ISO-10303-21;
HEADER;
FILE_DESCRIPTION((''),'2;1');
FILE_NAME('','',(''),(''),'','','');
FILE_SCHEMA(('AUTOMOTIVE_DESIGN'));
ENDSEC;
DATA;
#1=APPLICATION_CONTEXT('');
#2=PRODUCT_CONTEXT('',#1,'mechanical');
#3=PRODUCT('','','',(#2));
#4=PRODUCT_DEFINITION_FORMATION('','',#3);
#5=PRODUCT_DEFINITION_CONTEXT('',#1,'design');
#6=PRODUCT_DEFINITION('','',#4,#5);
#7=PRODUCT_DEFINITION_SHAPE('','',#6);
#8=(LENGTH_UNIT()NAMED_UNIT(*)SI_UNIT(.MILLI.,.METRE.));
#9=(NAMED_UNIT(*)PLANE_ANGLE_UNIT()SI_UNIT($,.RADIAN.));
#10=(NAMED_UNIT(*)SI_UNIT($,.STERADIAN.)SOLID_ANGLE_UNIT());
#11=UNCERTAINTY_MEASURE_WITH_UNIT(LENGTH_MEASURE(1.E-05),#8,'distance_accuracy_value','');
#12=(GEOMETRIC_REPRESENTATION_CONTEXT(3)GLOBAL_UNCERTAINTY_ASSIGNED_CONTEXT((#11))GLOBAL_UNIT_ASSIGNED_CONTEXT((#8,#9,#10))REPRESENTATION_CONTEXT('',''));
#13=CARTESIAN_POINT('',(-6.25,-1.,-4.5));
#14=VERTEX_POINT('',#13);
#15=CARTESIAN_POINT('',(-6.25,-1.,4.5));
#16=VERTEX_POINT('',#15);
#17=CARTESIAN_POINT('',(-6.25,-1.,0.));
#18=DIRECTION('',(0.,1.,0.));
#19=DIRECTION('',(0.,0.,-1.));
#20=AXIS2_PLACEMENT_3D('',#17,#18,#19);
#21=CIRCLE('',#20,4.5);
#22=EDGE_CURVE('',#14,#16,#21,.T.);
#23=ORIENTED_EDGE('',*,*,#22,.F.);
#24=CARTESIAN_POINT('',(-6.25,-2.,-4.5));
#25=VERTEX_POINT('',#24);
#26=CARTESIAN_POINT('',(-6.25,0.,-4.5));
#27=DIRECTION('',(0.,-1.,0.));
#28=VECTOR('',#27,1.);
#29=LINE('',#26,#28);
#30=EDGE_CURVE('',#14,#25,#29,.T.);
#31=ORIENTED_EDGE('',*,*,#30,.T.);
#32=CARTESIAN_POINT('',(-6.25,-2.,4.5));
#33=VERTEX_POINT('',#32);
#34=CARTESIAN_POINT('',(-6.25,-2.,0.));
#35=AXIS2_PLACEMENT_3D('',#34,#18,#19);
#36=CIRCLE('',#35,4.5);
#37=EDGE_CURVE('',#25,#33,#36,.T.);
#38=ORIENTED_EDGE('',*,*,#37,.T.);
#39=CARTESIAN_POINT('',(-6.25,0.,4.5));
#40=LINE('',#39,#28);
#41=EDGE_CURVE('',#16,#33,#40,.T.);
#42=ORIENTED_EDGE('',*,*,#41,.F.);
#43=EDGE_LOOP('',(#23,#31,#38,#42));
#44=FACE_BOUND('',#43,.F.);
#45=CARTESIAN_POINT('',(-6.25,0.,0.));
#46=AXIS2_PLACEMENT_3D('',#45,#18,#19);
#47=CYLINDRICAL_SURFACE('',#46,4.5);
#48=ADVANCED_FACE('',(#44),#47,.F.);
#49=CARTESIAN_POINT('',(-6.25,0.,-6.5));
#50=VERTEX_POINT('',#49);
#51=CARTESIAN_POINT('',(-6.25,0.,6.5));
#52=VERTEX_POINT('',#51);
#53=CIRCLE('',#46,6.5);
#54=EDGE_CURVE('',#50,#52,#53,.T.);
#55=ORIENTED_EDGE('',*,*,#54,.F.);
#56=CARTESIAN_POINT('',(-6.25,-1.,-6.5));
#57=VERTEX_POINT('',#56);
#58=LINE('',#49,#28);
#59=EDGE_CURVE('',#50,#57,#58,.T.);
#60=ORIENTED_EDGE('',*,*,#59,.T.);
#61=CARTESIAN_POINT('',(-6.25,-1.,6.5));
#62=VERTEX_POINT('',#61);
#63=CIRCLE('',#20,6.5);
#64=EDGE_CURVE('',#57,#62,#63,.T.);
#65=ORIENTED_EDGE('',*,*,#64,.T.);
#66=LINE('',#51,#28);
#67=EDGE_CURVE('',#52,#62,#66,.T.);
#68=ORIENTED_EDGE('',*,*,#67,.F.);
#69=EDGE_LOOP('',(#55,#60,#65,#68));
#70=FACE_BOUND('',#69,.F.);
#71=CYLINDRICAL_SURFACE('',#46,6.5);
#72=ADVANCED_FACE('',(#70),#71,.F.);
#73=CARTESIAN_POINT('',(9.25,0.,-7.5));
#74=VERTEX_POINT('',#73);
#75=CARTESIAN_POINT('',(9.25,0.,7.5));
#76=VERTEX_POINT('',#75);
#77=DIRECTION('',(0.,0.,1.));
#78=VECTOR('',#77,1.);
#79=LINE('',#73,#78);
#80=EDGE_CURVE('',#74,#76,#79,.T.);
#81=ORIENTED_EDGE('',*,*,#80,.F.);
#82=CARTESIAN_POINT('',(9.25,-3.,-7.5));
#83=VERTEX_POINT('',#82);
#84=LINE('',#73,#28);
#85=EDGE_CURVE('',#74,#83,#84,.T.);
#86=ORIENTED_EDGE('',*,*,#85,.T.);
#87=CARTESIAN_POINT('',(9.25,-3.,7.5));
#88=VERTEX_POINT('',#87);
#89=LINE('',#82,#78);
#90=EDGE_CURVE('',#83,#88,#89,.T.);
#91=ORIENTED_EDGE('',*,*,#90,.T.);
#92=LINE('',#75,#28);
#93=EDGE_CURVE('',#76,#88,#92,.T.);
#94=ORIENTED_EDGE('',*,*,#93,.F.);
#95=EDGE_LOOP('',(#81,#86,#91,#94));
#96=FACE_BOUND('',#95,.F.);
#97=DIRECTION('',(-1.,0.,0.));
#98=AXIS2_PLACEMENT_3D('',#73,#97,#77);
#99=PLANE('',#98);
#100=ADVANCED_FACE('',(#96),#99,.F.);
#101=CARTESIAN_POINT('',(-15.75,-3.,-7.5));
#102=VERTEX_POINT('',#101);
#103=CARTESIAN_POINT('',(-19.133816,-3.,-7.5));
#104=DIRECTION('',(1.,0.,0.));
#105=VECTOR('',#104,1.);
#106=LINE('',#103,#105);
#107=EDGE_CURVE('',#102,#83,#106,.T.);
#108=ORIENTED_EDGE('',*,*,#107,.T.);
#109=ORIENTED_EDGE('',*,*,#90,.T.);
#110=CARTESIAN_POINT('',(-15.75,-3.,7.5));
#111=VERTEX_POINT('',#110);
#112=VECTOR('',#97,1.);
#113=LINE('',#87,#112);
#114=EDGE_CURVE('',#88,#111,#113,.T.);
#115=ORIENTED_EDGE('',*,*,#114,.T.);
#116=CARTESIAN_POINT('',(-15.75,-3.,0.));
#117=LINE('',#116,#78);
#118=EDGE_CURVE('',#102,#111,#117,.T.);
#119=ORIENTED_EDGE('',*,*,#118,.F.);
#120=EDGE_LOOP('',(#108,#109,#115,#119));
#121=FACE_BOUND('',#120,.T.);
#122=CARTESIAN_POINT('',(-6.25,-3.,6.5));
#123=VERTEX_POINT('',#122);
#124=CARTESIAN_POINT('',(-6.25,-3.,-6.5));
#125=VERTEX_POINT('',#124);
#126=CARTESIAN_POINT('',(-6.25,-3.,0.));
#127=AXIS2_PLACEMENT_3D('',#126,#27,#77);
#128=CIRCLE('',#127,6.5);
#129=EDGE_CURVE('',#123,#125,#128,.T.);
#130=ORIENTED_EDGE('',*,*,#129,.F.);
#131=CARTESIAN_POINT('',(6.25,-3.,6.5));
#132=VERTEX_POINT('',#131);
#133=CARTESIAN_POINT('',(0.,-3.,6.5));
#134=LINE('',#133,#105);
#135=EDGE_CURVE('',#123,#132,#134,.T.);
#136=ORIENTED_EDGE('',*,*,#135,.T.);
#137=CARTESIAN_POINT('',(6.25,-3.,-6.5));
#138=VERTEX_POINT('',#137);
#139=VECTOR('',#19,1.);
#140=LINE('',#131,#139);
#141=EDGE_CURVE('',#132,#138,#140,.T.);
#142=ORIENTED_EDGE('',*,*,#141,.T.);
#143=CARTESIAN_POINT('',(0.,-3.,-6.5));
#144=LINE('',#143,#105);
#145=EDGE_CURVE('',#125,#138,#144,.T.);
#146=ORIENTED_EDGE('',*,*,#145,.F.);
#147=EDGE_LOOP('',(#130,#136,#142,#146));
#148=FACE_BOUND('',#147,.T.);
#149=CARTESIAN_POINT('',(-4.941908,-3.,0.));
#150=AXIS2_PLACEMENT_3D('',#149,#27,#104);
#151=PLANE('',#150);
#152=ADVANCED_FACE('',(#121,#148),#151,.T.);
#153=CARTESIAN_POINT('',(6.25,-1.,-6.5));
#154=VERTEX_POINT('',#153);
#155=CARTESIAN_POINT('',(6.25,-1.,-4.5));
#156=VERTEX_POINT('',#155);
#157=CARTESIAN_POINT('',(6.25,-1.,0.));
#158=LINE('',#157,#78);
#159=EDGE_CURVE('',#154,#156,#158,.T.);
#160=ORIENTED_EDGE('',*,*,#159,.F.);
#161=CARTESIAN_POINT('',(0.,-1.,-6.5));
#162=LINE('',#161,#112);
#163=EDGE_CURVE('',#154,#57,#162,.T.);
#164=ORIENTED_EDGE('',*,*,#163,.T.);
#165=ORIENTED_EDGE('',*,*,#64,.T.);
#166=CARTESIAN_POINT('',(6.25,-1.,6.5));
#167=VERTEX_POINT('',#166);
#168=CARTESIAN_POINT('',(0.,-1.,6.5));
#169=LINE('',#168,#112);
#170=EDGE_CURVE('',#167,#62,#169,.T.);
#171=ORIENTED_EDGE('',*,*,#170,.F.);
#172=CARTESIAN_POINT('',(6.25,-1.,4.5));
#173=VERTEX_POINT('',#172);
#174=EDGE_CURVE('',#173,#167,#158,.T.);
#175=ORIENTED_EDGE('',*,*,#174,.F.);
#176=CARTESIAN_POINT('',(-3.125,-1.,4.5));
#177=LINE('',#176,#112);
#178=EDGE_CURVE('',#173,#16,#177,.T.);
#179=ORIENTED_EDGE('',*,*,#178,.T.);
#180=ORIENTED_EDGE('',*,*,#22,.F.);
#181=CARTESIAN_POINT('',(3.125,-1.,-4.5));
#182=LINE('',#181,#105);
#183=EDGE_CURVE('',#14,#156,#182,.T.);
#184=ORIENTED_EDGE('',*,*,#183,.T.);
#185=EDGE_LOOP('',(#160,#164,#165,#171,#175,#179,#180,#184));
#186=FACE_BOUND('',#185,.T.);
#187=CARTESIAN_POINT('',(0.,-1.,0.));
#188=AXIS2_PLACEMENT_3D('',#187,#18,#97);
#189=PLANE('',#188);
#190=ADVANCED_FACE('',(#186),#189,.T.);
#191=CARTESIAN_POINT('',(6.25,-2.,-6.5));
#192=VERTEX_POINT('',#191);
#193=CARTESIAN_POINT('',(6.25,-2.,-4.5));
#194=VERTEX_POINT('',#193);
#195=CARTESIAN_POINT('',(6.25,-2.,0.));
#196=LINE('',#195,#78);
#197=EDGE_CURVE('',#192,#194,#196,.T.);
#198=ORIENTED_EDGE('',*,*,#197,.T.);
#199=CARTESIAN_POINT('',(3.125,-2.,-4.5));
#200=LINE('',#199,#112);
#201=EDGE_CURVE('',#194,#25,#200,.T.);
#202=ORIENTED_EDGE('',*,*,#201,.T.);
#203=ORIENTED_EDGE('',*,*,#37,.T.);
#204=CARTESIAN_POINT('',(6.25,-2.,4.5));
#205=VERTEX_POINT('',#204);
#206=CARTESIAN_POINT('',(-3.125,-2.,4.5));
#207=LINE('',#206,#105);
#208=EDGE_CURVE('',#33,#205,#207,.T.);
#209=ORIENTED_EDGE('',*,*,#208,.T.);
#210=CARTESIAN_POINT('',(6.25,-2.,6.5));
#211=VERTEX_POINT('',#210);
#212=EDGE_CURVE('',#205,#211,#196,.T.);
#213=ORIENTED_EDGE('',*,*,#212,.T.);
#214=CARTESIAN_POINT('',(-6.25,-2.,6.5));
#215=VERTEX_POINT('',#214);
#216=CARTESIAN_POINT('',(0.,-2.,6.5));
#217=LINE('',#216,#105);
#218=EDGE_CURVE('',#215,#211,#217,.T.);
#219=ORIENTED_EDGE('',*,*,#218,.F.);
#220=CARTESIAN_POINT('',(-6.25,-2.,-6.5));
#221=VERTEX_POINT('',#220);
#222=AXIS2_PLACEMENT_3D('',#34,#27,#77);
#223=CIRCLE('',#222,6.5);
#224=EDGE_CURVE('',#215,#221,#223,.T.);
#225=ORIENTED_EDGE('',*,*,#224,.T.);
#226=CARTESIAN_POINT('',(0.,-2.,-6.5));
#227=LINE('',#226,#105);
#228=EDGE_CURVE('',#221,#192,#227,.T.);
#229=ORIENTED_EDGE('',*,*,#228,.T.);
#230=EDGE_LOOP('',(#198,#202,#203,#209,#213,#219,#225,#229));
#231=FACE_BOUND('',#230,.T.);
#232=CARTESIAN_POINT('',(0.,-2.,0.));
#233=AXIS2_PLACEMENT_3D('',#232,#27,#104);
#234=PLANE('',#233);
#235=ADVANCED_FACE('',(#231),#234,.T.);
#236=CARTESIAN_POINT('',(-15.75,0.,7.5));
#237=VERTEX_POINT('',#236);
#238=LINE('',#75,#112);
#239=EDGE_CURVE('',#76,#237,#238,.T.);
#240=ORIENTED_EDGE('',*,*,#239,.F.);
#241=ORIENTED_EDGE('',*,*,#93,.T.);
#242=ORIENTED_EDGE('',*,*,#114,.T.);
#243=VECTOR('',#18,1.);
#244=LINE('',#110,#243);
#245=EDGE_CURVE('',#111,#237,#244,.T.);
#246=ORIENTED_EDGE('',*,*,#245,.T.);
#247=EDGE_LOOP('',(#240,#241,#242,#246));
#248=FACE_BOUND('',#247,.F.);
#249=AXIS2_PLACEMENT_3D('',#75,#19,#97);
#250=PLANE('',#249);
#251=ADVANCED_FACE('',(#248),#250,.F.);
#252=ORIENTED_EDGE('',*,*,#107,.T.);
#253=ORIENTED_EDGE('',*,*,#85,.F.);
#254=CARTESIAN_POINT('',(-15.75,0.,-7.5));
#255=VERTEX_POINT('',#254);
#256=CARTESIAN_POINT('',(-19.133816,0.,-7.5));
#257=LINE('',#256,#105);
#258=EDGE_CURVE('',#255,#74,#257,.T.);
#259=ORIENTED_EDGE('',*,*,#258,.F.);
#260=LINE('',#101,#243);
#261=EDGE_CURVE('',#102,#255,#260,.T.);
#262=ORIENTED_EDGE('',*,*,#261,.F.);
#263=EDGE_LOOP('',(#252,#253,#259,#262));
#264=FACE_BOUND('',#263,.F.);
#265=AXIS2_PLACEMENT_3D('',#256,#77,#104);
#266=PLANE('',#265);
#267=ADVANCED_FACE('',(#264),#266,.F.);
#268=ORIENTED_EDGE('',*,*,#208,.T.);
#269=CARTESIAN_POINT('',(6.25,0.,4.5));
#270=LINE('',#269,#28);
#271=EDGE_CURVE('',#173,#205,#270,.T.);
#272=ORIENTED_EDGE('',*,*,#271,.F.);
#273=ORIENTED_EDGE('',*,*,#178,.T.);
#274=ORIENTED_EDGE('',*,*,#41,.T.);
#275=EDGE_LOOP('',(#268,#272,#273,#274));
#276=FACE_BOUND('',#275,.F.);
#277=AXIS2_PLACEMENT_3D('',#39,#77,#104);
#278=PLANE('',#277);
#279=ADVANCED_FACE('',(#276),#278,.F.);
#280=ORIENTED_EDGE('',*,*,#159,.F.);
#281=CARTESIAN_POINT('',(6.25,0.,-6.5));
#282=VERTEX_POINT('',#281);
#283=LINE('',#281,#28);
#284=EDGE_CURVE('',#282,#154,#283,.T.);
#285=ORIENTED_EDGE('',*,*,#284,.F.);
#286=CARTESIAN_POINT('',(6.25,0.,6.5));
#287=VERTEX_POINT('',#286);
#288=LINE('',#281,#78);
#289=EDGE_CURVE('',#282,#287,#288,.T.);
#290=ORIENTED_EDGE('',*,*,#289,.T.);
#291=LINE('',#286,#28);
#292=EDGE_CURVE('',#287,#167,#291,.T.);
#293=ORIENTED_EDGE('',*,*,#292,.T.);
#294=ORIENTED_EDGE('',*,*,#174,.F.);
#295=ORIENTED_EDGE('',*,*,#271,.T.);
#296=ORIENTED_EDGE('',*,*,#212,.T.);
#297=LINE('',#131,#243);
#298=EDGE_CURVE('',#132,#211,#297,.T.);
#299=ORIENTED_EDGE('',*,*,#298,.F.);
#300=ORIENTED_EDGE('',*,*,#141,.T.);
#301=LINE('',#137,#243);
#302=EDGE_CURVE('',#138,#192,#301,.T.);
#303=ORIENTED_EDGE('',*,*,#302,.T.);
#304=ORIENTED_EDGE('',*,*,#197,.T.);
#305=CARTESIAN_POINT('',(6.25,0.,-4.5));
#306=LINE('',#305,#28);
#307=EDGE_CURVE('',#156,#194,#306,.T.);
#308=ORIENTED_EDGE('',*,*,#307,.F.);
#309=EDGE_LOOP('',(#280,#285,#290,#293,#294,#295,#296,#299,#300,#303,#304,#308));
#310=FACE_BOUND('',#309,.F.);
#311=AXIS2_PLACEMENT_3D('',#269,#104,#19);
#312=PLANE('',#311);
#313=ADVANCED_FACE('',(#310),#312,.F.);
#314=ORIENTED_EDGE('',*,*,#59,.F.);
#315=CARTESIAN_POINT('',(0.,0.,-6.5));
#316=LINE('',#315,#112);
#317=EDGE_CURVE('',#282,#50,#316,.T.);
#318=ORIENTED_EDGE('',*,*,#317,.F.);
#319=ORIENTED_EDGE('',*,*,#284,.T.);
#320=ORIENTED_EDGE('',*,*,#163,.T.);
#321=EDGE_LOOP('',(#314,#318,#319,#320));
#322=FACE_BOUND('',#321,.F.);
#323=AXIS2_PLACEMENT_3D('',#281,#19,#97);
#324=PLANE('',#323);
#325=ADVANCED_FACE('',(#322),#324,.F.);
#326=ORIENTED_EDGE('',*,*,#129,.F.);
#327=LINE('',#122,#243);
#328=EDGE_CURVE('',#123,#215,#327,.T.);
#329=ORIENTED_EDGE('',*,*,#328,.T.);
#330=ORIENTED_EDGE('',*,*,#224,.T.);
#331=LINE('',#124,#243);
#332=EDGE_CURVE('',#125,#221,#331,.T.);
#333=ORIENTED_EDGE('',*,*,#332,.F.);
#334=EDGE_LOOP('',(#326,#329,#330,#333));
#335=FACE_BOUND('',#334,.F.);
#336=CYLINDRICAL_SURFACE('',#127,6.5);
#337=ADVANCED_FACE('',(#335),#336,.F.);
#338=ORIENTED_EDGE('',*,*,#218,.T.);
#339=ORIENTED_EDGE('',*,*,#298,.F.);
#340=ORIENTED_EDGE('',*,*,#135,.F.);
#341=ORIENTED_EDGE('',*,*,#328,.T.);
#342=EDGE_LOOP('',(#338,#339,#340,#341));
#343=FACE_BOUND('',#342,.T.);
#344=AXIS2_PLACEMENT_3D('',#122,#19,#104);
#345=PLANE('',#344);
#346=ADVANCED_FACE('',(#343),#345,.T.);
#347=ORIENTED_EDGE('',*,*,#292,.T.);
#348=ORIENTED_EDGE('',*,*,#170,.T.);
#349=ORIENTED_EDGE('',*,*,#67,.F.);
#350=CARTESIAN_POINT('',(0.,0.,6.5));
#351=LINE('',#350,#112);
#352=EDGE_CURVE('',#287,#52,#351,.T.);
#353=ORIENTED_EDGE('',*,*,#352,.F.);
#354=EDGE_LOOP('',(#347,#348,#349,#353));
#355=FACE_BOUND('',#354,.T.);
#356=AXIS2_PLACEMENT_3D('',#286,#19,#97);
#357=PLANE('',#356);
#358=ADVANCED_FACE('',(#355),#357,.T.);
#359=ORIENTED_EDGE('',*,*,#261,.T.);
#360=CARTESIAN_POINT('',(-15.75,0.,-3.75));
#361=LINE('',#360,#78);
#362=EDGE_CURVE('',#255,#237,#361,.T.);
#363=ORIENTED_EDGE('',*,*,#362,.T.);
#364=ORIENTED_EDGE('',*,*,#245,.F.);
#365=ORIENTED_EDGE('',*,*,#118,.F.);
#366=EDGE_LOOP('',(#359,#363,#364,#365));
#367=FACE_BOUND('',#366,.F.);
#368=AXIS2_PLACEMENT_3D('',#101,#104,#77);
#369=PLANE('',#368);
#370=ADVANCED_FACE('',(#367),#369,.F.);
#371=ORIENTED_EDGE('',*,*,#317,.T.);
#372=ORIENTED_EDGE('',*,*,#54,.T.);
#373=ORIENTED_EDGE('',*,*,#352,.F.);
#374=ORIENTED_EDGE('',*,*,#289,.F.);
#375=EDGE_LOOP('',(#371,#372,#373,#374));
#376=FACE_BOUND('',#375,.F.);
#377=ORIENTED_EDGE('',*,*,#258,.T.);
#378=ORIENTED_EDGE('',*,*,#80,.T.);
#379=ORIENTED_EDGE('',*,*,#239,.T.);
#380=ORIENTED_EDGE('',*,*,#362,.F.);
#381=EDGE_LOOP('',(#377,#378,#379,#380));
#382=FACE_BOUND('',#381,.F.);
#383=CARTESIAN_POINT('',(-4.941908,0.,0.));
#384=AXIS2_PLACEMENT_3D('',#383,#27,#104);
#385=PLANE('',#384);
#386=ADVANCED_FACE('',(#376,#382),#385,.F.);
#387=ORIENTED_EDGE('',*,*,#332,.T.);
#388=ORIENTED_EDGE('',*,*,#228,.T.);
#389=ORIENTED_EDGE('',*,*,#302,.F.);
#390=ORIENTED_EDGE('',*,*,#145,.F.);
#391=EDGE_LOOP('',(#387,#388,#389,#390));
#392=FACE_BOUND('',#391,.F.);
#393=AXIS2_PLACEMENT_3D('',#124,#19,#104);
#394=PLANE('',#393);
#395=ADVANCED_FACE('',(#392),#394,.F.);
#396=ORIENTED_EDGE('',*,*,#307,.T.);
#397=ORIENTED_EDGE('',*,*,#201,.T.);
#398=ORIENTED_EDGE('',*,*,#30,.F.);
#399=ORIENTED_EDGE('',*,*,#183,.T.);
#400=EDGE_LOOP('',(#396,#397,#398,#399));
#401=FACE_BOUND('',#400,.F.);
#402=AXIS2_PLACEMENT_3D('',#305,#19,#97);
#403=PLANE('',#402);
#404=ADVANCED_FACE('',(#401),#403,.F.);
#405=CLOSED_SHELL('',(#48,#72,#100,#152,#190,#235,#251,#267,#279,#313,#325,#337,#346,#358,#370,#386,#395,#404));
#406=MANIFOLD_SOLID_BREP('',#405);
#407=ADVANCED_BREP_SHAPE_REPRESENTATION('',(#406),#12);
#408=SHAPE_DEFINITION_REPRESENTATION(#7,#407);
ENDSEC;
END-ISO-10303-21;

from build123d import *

# Parameters (mm, degrees)
F1_DEPTH = 3
F2_W     = 12.5
F2_H     = 13
F3_DEPTH = 1
F4_W     = 12.5
F4_H     = 13
F5_DEPTH = 1
F6_W     = 3.383816
F6_H     = 15
F7_DEPTH = 25


with BuildPart() as f1:
    # F0 (on Front) → F1 (new body)
    with BuildSketch(Plane.XZ):
        Polygon((9.25, -7.5), (9.25, 7.5), (-13.75, 7.5), (-19.133816, 7.5), (-19.133816, -7.5), (-13.75, -7.5), align=None)
        with BuildLine():
            Line((-6.25, 4.5), (6.25, 4.5))
            Line((6.25, 4.5), (6.25, -4.5))
            Line((6.25, -4.5), (-6.25, -4.5))
            ThreePointArc((-6.25, -4.5), (-10.75, 0), (-6.25, 4.5))
        make_face(mode=Mode.SUBTRACT)
    extrude(amount=F1_DEPTH)

    # F2 (on face) → F3 (cut)
    with BuildSketch(Plane.XZ.offset(3)):
        Rectangle(F2_W, F2_H)
        with BuildLine():
            Line((-6.25, -6.5), (-6.25, 6.5))
            ThreePointArc((-6.25, 6.5), (-12.75, 0), (-6.25, -6.5))
        make_face()
    extrude(amount=-F3_DEPTH, mode=Mode.SUBTRACT)

    # F4 (on face) → F5 (cut)
    with BuildSketch(Plane(origin=(0, 0, 0), x_dir=(-1, 0, 0), z_dir=(0, 1, 0))):
        Rectangle(F4_W, F4_H)
        with BuildLine():
            ThreePointArc((6.25, -6.5), (12.75, 0), (6.25, 6.5))
            Line((6.25, 6.5), (6.25, -6.5))
        make_face()
    extrude(amount=-F5_DEPTH, mode=Mode.SUBTRACT)

    # F6 (on face) → F7 (cut)
    with BuildSketch(Plane.XZ.offset(3)):
        with Locations((-17.441908, 0)):
            Rectangle(F6_W, F6_H)
    extrude(amount=-F7_DEPTH, mode=Mode.SUBTRACT)


solid = f1.part
